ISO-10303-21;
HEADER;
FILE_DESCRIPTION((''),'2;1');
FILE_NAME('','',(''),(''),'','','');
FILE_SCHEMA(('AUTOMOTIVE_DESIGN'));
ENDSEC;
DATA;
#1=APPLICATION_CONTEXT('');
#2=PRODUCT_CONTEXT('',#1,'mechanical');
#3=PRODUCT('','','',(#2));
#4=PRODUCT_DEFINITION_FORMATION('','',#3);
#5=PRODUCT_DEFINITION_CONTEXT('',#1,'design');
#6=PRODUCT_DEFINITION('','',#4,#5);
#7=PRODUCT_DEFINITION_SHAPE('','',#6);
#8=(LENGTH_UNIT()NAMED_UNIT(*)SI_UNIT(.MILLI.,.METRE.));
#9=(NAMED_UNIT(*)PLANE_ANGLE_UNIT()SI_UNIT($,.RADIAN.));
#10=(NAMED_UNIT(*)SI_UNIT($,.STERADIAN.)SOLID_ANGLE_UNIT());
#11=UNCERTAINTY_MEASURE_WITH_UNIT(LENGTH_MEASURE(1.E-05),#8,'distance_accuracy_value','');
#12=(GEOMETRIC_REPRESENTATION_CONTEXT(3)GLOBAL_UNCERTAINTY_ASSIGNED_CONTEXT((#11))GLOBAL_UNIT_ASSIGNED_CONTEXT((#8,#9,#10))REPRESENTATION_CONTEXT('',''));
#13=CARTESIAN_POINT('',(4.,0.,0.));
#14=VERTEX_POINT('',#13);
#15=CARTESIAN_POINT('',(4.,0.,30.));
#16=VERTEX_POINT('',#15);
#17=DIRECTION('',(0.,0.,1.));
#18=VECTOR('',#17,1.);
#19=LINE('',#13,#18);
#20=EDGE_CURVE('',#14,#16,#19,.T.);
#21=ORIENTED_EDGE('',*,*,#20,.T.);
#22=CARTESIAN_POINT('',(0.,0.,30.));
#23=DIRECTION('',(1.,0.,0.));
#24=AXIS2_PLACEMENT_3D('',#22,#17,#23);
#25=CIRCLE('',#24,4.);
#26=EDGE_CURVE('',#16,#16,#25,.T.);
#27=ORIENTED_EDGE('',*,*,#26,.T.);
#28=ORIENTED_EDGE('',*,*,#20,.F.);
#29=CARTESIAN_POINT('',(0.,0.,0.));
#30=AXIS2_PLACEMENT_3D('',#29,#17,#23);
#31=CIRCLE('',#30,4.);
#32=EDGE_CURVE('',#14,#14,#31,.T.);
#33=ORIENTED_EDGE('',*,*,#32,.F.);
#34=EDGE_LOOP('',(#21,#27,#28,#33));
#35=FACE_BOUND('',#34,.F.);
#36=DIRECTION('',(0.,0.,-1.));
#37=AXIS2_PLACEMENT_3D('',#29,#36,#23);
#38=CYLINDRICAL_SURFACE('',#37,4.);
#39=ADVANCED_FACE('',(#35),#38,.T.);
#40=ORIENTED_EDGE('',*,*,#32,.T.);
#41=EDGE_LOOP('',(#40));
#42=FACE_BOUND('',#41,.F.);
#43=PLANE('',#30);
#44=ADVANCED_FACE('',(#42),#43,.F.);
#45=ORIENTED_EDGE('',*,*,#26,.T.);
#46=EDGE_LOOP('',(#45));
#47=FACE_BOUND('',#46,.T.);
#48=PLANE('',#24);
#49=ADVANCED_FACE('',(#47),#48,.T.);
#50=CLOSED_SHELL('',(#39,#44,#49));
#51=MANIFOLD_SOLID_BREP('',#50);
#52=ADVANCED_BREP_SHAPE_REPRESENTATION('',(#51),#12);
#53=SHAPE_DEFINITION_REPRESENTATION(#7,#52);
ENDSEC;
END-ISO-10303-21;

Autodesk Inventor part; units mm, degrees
ref_plane "YZ Plane" through (0, 0, 0) normal (1, 0, 0) x (0, 1, 0)
ref_plane "XZ Plane" through (0, 0, 0) normal (0, 1, 0) x (-1, 0, 0)
ref_plane "XY Plane" through (0, 0, 0) normal (0, 0, 1) x (1, 0, 0)
sketch "Sketch1" plane through (0, 0, 0) normal (0, 0, 1) x (1, 0, 0)
  circle A0 centre (0, 0) radius 4
  dimension "d0" = 8
extrude "Extrusion1" add sketch "Sketch1" along normal blind 30
properties part number "eixo"
